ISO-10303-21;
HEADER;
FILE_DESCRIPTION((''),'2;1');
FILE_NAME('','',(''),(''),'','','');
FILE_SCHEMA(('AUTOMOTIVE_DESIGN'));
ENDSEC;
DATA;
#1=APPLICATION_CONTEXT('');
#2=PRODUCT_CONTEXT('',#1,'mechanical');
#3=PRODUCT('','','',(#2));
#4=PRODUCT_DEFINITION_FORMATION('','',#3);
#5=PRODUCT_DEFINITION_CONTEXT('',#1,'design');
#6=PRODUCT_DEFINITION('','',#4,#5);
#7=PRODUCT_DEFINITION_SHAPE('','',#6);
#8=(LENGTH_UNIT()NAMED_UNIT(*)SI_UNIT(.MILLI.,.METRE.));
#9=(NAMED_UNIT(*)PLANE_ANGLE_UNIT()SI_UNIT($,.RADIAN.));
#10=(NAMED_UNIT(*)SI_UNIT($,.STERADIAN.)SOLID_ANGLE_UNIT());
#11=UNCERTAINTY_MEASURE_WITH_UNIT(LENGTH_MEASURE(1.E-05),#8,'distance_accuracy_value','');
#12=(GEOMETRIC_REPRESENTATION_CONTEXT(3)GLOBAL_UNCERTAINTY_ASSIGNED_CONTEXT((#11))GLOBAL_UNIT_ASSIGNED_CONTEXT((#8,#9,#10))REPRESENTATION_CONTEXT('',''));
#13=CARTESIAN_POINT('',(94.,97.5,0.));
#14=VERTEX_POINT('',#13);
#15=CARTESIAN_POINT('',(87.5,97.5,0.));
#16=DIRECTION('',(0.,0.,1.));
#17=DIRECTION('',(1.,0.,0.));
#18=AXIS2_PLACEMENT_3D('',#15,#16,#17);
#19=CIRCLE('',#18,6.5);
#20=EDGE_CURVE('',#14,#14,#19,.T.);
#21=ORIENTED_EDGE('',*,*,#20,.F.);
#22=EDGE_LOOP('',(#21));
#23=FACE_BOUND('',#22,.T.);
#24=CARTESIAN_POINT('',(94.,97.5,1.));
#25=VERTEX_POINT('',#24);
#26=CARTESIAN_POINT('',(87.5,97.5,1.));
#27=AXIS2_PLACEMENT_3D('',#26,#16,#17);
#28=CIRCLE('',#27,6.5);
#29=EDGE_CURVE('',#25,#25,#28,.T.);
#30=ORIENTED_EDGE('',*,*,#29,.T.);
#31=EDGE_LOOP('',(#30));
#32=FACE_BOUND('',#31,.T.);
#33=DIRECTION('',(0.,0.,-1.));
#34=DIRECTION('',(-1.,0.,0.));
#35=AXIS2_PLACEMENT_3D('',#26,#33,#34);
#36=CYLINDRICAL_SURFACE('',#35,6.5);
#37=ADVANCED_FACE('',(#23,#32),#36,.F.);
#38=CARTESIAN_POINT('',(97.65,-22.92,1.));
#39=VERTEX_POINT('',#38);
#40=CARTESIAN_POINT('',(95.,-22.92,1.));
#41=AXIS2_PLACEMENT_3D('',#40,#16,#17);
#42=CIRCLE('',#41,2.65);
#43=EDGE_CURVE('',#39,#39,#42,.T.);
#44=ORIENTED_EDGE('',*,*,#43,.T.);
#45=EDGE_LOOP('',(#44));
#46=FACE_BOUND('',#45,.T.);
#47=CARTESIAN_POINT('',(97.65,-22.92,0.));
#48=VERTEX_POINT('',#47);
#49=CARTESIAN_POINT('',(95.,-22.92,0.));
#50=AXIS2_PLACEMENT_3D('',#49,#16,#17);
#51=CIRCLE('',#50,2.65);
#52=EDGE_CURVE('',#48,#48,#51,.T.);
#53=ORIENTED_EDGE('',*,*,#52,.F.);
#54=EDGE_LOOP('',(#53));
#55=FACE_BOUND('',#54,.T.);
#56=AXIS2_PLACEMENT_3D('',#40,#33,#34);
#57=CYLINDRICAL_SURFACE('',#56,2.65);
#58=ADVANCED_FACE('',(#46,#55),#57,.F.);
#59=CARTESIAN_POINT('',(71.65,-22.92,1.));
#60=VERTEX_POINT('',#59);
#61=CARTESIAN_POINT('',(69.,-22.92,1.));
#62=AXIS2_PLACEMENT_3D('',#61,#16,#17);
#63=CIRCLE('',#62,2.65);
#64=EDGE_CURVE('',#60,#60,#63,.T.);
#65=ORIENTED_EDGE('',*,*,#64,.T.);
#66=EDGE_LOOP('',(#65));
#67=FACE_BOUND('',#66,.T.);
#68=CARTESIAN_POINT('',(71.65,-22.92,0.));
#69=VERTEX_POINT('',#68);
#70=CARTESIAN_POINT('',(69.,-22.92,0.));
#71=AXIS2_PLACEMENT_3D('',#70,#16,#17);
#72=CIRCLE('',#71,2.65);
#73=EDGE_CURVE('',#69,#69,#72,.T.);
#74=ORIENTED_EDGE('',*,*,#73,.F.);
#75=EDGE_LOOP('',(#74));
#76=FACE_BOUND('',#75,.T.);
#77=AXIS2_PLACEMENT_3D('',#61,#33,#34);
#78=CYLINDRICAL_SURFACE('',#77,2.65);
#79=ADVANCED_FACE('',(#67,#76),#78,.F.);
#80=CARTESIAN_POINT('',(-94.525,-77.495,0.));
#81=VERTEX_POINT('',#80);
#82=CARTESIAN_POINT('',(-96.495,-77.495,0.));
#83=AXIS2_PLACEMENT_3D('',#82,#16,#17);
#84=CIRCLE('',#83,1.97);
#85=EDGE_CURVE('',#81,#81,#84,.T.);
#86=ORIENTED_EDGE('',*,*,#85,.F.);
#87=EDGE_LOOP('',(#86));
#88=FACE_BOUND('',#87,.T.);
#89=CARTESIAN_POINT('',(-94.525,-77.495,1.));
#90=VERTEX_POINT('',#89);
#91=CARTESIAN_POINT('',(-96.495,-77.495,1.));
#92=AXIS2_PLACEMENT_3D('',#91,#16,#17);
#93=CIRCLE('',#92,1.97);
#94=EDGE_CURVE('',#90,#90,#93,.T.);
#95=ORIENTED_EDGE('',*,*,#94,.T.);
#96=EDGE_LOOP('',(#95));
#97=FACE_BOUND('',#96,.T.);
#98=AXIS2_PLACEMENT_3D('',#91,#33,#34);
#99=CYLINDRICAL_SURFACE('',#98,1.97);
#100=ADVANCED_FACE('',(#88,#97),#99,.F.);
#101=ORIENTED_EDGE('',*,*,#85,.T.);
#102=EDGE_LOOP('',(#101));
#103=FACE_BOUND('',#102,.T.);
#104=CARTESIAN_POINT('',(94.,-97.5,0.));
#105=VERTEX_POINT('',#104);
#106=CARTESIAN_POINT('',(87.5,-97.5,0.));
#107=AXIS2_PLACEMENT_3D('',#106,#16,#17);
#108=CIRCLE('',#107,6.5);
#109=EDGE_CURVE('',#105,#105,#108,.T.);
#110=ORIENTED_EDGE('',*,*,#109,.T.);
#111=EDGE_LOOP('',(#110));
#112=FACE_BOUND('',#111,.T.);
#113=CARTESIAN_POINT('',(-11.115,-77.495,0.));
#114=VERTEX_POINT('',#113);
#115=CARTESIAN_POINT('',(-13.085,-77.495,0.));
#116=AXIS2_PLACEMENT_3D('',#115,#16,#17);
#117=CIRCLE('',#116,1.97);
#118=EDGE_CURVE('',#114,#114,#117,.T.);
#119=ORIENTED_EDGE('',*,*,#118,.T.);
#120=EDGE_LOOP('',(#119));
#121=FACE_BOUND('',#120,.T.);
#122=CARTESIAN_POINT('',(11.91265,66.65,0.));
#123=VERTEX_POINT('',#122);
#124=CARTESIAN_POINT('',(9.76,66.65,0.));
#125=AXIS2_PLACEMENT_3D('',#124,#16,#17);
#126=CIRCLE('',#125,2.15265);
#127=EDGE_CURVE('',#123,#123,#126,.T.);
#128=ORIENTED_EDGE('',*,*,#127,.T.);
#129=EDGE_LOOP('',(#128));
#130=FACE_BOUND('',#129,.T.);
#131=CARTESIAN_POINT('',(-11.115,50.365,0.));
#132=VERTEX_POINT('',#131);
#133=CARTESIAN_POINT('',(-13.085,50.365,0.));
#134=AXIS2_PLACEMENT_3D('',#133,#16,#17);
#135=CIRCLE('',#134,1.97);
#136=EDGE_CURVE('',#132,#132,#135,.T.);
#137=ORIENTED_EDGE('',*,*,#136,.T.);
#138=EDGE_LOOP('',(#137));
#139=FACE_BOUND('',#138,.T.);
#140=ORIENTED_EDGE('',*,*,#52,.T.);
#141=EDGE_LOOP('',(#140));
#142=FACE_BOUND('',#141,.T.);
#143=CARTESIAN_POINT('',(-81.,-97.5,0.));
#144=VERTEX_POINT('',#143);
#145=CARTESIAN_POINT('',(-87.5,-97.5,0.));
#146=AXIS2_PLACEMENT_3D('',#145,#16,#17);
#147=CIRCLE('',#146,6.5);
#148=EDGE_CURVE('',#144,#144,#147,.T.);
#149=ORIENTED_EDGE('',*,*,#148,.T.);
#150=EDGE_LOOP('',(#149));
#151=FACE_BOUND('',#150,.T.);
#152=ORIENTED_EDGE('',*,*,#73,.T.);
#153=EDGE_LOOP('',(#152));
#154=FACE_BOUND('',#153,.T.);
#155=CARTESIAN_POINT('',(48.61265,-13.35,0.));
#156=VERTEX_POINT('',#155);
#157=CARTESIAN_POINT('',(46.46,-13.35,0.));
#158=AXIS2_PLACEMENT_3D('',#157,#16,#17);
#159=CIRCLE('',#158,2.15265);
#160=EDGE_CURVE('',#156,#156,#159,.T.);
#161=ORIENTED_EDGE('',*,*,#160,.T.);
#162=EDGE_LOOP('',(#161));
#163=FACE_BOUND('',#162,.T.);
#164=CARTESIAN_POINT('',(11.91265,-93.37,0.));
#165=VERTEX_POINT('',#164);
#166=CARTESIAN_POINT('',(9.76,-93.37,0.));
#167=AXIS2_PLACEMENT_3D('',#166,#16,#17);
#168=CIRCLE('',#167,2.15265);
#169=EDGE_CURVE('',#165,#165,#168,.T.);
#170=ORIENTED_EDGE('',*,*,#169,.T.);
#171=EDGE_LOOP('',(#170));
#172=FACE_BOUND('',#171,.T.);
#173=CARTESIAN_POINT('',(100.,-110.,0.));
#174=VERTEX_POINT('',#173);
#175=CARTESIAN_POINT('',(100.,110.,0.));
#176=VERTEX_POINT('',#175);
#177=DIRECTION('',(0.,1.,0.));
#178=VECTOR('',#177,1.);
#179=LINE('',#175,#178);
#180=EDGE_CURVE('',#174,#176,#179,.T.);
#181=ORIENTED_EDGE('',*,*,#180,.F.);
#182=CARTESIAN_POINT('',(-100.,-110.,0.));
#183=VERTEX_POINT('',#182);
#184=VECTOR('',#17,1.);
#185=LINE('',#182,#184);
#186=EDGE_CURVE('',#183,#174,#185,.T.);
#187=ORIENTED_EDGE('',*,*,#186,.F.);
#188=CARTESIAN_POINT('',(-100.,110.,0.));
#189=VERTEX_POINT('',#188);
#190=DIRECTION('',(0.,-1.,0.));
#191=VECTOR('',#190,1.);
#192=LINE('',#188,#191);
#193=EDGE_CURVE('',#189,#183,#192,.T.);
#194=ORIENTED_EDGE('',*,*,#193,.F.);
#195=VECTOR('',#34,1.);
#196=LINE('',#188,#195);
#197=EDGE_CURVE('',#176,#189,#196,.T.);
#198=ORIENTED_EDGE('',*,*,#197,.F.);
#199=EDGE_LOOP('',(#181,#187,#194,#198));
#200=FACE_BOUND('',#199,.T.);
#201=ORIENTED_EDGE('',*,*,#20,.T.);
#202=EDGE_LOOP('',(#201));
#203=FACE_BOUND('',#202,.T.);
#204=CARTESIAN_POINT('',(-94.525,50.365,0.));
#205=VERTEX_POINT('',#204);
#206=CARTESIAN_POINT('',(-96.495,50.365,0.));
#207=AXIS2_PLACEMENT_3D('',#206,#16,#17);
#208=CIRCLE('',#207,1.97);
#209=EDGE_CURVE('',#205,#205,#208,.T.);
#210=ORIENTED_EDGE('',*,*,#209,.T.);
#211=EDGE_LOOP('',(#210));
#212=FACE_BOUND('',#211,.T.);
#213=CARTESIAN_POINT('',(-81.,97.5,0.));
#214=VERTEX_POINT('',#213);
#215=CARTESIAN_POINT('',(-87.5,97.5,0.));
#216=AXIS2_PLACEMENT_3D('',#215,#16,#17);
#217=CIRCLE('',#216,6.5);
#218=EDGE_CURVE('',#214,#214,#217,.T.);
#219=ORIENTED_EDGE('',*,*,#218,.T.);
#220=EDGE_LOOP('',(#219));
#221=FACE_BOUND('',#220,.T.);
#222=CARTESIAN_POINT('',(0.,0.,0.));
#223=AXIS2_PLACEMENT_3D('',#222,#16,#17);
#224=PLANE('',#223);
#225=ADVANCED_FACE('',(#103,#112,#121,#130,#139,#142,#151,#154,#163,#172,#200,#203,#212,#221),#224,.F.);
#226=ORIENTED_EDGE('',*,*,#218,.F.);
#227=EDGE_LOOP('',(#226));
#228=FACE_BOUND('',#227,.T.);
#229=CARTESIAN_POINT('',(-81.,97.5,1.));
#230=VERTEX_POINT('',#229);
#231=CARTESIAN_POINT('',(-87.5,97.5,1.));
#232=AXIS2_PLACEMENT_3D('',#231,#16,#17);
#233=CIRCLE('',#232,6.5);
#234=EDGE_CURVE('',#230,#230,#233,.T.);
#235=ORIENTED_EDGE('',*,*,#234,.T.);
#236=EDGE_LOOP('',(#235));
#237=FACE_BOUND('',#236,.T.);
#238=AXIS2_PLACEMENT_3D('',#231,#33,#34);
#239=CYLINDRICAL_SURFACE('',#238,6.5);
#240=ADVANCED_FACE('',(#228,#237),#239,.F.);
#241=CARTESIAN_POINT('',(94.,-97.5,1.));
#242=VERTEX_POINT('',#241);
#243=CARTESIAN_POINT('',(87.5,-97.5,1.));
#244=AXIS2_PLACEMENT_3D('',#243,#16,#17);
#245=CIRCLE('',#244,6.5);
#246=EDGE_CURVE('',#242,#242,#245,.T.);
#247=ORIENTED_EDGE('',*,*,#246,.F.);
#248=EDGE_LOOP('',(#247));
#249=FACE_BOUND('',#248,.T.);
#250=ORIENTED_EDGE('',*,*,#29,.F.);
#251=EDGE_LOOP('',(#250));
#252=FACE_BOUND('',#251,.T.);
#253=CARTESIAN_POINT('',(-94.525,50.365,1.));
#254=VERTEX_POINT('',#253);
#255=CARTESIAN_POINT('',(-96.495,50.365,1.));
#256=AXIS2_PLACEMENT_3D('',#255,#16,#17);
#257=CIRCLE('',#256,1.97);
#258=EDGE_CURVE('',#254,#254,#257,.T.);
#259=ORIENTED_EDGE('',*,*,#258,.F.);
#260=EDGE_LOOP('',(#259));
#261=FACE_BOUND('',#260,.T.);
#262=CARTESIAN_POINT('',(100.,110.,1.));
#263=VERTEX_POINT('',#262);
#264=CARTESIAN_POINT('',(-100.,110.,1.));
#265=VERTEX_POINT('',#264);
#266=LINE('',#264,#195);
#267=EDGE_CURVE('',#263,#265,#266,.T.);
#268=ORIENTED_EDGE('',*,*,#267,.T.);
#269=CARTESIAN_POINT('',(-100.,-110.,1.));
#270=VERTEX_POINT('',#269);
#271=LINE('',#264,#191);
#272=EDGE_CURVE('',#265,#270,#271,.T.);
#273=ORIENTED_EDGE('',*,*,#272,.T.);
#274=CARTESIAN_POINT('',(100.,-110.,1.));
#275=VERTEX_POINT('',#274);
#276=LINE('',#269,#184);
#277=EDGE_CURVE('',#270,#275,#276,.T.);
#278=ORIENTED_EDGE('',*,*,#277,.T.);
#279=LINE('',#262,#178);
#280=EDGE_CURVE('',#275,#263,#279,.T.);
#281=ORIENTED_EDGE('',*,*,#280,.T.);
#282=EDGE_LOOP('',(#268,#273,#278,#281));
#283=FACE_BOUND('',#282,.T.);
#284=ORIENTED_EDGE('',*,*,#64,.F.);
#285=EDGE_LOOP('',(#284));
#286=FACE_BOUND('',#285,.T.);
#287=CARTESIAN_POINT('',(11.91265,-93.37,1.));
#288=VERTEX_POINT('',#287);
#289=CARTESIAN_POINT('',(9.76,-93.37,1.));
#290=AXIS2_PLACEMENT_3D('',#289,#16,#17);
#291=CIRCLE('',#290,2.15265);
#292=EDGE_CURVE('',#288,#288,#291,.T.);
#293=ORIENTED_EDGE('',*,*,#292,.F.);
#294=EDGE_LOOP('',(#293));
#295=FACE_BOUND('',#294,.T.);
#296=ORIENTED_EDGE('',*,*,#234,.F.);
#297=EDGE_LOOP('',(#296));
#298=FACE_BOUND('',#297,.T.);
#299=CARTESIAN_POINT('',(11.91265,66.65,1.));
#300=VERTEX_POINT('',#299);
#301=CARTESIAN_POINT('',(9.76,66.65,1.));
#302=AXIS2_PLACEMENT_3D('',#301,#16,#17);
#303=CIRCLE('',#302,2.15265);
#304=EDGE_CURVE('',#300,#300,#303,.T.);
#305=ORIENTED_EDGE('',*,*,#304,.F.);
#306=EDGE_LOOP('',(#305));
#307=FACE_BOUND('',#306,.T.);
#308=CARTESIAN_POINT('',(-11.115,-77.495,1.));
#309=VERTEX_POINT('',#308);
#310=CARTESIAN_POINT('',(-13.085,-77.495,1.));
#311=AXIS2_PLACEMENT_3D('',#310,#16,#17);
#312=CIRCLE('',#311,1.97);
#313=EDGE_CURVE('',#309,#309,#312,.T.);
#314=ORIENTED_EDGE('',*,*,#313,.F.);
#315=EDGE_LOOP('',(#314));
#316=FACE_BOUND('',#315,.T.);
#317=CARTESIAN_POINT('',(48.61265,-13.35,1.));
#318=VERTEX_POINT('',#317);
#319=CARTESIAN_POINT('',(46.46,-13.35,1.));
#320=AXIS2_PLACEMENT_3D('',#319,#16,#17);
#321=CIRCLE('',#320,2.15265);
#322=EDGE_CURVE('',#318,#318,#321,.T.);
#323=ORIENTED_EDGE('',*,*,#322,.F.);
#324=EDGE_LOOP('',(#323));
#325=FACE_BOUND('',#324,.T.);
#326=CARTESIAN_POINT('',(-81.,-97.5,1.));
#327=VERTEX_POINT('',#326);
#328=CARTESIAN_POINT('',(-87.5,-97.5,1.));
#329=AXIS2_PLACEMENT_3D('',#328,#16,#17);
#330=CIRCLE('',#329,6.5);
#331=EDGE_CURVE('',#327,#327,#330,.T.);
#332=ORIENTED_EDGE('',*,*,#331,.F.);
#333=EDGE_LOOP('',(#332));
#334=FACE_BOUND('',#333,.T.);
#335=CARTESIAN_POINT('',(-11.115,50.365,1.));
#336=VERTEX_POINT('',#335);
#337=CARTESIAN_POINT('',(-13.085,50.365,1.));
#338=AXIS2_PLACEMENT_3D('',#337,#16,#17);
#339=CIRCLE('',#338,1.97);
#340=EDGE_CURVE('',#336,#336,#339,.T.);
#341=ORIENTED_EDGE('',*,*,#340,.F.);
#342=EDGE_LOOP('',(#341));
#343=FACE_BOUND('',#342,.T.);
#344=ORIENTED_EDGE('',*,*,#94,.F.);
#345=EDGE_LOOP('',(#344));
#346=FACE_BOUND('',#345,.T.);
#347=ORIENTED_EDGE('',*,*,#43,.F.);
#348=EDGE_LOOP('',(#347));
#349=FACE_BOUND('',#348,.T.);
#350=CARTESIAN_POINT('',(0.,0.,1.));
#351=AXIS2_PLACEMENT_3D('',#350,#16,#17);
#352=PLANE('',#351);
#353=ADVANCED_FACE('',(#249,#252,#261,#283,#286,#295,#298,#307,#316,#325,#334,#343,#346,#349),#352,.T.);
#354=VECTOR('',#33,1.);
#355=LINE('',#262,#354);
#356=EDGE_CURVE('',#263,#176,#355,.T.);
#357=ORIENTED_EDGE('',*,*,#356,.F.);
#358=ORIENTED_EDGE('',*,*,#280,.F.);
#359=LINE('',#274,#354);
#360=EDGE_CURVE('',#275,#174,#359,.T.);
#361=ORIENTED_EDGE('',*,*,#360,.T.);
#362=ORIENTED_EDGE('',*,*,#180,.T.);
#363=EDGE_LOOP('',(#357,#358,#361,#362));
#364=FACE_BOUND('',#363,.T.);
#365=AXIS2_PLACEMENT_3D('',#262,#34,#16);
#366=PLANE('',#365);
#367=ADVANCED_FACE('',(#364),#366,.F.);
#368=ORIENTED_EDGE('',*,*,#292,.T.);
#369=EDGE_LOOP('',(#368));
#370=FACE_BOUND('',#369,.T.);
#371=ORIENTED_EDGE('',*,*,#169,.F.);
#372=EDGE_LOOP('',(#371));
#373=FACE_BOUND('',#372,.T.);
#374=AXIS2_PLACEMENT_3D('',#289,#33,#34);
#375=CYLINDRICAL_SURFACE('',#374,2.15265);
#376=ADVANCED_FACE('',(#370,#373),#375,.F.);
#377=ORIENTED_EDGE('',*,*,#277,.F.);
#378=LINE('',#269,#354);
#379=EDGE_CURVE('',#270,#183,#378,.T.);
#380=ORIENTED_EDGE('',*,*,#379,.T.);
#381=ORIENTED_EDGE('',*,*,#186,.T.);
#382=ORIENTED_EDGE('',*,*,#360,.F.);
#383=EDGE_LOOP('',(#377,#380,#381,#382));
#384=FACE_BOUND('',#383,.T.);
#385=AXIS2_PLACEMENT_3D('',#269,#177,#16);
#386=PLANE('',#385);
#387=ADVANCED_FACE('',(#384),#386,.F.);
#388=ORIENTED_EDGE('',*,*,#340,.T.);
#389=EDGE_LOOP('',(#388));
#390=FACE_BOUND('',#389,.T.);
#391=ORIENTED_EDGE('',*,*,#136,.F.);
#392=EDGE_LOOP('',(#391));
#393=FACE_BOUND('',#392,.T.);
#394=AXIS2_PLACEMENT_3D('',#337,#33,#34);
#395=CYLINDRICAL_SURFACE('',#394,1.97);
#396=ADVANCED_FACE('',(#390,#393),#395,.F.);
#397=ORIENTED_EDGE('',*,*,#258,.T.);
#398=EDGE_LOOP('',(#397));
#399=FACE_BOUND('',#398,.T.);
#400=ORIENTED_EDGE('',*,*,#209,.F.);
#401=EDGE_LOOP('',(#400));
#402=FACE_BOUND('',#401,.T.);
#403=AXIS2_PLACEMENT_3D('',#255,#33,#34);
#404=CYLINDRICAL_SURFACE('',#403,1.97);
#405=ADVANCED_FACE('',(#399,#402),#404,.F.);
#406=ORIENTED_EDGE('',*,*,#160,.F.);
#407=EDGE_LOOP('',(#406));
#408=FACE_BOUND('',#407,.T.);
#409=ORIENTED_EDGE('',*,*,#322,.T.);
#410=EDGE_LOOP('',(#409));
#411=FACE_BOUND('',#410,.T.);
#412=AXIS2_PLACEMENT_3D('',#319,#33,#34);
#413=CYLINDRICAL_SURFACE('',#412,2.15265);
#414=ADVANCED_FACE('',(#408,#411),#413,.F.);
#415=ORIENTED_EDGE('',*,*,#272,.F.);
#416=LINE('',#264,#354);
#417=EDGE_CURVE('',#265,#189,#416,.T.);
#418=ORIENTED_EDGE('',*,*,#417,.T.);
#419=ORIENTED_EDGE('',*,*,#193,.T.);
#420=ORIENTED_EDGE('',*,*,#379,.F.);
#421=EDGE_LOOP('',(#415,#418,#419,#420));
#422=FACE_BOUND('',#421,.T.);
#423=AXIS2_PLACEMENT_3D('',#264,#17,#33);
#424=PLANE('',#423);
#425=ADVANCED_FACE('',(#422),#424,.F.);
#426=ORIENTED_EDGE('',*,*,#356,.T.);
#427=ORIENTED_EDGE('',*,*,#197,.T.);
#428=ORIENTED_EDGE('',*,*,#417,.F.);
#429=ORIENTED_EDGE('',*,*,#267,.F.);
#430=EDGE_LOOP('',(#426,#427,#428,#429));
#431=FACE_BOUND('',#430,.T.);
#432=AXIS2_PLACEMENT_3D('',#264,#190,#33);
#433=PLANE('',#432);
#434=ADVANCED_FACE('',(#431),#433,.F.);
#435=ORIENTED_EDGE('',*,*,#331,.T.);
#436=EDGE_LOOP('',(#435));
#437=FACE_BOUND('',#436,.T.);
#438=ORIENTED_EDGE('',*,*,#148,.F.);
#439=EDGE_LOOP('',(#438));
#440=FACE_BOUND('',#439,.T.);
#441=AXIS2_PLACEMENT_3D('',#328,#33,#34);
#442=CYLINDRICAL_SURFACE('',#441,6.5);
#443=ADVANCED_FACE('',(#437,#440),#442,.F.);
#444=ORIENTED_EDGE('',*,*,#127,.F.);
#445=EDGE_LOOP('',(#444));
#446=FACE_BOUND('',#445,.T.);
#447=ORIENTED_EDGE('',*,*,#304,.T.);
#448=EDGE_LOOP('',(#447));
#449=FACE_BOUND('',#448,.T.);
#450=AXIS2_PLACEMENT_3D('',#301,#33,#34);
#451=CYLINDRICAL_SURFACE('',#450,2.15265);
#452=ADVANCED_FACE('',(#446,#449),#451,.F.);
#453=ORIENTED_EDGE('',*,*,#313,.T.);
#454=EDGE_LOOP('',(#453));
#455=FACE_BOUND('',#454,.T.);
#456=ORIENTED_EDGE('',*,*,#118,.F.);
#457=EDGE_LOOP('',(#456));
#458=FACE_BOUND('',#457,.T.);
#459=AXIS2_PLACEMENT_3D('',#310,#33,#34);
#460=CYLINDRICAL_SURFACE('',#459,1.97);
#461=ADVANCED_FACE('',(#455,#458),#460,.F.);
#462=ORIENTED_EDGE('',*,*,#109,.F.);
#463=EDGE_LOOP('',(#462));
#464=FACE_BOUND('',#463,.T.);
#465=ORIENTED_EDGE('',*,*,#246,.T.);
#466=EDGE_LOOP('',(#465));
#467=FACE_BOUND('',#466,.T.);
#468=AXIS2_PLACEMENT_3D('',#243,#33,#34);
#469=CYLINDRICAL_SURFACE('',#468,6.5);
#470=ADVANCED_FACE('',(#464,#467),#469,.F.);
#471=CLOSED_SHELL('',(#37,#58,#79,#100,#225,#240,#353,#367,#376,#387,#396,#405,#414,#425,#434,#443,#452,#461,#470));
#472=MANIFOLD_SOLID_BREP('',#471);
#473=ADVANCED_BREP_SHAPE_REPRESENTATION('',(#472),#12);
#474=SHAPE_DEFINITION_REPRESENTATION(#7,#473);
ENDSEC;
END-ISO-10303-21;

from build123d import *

# Parameters (mm, degrees)
SKETCH1_W           = 200
SKETCH1_H           = 220
SKETCH1_R           = 6.5
SKETCH1_R_2         = 2.15265
SKETCH1_R_3         = 1.97
SKETCH1_R_4         = 2.65
BOSS_EXTRUDE1_DEPTH = 1


with BuildPart() as part:
    # Sketch1 → Boss-Extrude1 (new body)
    with BuildSketch(Plane.XY):
        Rectangle(SKETCH1_W, SKETCH1_H)
        with Locations((-87.5, 97.5)):
            Circle(SKETCH1_R, mode=Mode.SUBTRACT)
        with Locations((87.5, 97.5)):
            Circle(SKETCH1_R, mode=Mode.SUBTRACT)
        with Locations((87.5, -97.5)):
            Circle(SKETCH1_R, mode=Mode.SUBTRACT)
        with Locations((-87.5, -97.5)):
            Circle(SKETCH1_R, mode=Mode.SUBTRACT)
        with Locations((9.76, -93.37)):
            Circle(SKETCH1_R_2, mode=Mode.SUBTRACT)
        with Locations((9.76, 66.65)):
            Circle(SKETCH1_R_2, mode=Mode.SUBTRACT)
        with Locations((46.46, -13.35)):
            Circle(SKETCH1_R_2, mode=Mode.SUBTRACT)
        with Locations((-96.495, 50.365)):
            Circle(SKETCH1_R_3, mode=Mode.SUBTRACT)
        with Locations((-13.085, 50.365)):
            Circle(SKETCH1_R_3, mode=Mode.SUBTRACT)
        with Locations((-13.085, -77.495)):
            Circle(SKETCH1_R_3, mode=Mode.SUBTRACT)
        with Locations((-96.495, -77.495)):
            Circle(SKETCH1_R_3, mode=Mode.SUBTRACT)
        with Locations((69, -22.92)):
            Circle(SKETCH1_R_4, mode=Mode.SUBTRACT)
        with Locations((95, -22.92)):
            Circle(SKETCH1_R_4, mode=Mode.SUBTRACT)
    extrude(amount=BOSS_EXTRUDE1_DEPTH)


solid = part.part
